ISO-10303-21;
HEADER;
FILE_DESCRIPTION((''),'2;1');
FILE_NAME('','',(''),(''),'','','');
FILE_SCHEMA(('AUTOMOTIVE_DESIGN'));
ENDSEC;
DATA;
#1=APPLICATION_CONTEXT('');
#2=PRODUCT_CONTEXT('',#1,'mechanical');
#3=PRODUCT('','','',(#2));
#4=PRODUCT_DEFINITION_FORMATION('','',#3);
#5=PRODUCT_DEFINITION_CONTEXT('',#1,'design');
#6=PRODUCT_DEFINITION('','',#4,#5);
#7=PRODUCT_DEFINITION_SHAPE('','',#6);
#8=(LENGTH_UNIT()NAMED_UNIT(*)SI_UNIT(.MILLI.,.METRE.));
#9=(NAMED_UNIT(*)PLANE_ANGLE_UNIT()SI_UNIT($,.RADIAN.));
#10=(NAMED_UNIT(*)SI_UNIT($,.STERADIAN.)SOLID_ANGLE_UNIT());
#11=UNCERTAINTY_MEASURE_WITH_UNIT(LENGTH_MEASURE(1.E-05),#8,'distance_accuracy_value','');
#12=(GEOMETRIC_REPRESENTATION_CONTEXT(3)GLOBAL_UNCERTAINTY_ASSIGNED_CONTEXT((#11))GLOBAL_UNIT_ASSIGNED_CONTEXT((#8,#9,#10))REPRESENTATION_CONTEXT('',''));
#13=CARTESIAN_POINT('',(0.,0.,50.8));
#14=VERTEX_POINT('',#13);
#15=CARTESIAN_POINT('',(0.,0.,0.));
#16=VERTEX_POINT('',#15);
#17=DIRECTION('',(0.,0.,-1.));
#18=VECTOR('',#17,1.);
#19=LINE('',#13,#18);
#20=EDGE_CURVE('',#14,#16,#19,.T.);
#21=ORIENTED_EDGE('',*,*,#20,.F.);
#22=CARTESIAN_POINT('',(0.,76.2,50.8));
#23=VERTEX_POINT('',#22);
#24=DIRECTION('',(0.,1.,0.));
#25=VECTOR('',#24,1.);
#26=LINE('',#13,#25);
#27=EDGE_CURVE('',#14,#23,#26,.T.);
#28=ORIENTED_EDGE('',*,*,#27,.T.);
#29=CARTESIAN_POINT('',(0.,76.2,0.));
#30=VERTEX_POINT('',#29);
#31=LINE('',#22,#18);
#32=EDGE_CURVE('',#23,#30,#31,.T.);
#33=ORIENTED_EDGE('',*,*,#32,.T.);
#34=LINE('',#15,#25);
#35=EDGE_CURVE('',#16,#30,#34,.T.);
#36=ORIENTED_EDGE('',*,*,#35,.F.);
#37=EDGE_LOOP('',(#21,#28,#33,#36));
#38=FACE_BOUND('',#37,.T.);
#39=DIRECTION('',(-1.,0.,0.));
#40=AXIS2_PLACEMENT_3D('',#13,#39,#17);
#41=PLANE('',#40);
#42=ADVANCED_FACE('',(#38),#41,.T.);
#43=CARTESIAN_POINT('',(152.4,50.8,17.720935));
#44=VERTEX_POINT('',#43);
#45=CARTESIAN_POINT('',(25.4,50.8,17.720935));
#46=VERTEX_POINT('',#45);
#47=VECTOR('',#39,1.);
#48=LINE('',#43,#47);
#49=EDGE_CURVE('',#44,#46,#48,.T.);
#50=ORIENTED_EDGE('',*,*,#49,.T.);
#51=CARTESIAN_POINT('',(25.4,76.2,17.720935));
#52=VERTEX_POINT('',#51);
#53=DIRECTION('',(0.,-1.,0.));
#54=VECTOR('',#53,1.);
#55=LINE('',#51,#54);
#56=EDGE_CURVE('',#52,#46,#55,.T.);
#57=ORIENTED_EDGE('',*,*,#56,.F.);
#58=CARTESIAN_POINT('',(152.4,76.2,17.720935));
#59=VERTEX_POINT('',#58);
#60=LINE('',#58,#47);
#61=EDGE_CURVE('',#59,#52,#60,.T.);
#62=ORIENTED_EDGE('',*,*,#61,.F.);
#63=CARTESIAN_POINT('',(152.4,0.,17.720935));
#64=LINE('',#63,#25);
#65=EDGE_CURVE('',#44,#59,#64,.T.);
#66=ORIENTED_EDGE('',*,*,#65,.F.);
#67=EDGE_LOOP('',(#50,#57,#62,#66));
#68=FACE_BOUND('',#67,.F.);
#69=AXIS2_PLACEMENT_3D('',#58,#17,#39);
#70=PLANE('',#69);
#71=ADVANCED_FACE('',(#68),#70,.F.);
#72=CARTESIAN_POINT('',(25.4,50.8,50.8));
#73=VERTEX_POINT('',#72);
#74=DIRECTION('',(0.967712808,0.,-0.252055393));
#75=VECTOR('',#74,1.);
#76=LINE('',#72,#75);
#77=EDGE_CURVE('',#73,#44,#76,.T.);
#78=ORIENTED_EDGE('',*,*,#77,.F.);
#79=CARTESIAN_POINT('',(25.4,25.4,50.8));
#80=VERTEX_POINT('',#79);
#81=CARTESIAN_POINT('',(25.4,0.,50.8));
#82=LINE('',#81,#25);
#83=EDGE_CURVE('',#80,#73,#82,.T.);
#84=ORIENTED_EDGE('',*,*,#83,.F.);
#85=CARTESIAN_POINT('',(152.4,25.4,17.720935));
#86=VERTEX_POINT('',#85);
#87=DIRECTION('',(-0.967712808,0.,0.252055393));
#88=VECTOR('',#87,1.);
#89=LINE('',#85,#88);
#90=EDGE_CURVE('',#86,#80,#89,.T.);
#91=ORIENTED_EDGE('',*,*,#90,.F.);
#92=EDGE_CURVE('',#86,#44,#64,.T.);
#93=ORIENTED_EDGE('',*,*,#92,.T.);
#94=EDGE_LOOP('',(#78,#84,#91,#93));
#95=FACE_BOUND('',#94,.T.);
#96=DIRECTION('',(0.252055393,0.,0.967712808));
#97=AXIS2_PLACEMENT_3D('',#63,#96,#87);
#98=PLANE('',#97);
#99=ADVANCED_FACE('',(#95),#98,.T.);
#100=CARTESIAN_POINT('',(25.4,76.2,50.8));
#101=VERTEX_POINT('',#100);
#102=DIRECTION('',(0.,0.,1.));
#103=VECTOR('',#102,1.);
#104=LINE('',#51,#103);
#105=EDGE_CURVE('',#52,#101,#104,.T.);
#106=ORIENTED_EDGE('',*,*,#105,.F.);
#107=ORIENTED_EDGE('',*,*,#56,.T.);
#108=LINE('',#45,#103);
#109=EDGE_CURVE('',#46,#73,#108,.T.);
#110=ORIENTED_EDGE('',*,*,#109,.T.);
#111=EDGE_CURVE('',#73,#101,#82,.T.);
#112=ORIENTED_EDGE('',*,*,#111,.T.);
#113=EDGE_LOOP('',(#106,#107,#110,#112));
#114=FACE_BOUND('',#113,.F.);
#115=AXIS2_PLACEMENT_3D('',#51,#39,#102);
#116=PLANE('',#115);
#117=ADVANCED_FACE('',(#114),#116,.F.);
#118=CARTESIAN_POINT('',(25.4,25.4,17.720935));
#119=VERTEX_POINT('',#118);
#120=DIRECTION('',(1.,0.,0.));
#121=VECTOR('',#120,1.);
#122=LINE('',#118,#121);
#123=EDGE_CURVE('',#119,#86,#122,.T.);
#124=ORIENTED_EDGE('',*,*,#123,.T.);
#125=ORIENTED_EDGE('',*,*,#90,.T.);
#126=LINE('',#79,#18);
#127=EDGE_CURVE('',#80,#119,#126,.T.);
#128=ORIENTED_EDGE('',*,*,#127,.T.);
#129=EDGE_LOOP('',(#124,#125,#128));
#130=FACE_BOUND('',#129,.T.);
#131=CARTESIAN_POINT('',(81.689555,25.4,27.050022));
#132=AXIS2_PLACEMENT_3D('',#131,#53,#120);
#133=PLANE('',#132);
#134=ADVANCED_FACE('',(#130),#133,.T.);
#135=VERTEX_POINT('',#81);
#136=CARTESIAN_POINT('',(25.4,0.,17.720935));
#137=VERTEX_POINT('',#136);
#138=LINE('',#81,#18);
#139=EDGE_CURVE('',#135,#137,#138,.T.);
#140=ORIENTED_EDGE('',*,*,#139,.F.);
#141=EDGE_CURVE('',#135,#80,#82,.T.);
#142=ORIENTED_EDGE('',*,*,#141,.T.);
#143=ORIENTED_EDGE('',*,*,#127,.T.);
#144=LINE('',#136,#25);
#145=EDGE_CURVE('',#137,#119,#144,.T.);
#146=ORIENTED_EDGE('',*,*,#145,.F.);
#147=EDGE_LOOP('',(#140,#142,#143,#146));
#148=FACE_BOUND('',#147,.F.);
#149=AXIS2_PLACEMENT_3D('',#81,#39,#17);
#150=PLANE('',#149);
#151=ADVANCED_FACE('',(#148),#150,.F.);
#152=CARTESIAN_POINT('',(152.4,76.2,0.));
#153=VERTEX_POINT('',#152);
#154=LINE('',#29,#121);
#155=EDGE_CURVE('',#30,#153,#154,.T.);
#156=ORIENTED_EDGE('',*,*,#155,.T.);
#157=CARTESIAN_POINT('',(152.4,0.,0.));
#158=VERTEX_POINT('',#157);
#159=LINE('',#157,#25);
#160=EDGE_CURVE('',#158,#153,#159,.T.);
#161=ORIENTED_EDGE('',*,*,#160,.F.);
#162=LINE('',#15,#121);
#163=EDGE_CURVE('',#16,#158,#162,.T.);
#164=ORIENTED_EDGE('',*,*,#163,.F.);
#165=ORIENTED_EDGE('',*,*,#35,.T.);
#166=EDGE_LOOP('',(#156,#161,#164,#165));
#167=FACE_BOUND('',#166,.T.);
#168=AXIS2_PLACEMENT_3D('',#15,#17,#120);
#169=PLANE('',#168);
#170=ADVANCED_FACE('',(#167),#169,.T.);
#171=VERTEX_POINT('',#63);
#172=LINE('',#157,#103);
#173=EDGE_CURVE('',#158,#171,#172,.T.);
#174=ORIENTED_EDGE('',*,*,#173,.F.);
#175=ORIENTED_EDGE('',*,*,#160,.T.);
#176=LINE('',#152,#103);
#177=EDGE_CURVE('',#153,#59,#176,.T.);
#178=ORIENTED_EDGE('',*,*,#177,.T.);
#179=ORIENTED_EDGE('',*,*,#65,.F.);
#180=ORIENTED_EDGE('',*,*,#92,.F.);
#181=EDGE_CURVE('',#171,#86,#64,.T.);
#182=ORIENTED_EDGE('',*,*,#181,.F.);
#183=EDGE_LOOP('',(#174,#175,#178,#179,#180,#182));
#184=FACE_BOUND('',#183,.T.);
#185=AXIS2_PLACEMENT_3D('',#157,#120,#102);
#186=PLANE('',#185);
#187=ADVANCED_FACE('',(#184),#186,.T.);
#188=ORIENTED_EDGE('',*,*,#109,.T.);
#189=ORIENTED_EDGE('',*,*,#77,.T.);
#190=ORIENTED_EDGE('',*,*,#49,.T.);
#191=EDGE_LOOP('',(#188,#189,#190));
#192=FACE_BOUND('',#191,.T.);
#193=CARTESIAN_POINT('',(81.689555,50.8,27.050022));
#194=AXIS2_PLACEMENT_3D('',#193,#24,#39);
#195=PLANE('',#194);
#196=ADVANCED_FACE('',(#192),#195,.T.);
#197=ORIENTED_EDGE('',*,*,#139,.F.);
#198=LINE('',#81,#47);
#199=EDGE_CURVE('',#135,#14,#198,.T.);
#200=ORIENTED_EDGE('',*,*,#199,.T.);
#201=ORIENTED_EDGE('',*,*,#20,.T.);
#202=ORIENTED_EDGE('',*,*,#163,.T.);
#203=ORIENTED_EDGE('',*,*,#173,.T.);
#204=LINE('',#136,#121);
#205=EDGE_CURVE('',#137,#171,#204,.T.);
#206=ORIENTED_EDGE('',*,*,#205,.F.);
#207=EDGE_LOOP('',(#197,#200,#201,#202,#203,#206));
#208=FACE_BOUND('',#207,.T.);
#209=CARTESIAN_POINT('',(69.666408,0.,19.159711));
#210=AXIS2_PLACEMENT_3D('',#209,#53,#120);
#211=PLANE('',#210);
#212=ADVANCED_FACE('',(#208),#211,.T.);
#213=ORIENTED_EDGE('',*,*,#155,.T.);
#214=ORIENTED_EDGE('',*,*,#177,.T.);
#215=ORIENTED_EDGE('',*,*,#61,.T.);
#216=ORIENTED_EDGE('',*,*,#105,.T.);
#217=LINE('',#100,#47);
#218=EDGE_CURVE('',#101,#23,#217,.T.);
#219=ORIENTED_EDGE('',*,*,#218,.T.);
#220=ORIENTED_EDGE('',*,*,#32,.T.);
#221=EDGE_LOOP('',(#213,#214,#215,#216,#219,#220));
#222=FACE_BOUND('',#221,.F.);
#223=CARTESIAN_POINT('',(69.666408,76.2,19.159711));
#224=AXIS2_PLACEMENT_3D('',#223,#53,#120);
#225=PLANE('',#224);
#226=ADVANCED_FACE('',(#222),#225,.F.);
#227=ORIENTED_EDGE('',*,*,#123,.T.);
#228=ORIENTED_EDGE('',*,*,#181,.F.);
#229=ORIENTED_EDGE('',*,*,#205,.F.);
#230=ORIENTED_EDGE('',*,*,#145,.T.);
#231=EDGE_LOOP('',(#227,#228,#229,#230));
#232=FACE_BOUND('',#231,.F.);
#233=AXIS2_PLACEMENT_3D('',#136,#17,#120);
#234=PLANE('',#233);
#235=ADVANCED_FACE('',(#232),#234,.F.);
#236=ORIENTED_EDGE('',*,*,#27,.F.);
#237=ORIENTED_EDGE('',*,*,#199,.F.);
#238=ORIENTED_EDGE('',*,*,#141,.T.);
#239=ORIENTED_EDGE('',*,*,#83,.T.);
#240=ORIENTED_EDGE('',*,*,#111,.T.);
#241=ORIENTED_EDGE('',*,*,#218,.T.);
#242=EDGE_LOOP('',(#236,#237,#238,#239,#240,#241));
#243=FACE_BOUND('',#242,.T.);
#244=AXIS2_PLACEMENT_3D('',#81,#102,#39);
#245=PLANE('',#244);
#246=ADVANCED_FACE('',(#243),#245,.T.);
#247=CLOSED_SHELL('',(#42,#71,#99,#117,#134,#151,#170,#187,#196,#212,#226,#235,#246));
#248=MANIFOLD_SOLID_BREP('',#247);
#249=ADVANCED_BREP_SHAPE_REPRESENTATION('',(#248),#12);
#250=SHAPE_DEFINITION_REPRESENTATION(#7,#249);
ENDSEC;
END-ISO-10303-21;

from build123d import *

# Parameters (mm, degrees)
F1_DEPTH = 76.2
F3_DEPTH = 25.4
F5_DEPTH = 25.4


with BuildPart() as f1:
    # F0 (on Front) → F1 (new body)
    with BuildSketch(Plane.XZ):
        Polygon((0, 50.8), (0, 0), (152.4, 0), (152.4, 17.720935), (25.4, 50.8), align=None)
    extrude(amount=-F1_DEPTH)

    # F2 (on face) → F3 (cut)
    with BuildSketch(Plane.XZ):
        Polygon((25.4, 17.720935), (152.4, 17.720935), (25.4, 50.8), align=None)
    extrude(amount=-F3_DEPTH, mode=Mode.SUBTRACT)

    # F4 (on face) → F5 (cut)
    with BuildSketch(Plane(origin=(0, 76.2, 0), x_dir=(-1, 0, 0), z_dir=(0, 1, 0))):
        Polygon((-25.4, 50.8), (-152.4, 17.720935), (-25.4, 17.720935), align=None)
    extrude(amount=-F5_DEPTH, mode=Mode.SUBTRACT)


solid = f1.part
